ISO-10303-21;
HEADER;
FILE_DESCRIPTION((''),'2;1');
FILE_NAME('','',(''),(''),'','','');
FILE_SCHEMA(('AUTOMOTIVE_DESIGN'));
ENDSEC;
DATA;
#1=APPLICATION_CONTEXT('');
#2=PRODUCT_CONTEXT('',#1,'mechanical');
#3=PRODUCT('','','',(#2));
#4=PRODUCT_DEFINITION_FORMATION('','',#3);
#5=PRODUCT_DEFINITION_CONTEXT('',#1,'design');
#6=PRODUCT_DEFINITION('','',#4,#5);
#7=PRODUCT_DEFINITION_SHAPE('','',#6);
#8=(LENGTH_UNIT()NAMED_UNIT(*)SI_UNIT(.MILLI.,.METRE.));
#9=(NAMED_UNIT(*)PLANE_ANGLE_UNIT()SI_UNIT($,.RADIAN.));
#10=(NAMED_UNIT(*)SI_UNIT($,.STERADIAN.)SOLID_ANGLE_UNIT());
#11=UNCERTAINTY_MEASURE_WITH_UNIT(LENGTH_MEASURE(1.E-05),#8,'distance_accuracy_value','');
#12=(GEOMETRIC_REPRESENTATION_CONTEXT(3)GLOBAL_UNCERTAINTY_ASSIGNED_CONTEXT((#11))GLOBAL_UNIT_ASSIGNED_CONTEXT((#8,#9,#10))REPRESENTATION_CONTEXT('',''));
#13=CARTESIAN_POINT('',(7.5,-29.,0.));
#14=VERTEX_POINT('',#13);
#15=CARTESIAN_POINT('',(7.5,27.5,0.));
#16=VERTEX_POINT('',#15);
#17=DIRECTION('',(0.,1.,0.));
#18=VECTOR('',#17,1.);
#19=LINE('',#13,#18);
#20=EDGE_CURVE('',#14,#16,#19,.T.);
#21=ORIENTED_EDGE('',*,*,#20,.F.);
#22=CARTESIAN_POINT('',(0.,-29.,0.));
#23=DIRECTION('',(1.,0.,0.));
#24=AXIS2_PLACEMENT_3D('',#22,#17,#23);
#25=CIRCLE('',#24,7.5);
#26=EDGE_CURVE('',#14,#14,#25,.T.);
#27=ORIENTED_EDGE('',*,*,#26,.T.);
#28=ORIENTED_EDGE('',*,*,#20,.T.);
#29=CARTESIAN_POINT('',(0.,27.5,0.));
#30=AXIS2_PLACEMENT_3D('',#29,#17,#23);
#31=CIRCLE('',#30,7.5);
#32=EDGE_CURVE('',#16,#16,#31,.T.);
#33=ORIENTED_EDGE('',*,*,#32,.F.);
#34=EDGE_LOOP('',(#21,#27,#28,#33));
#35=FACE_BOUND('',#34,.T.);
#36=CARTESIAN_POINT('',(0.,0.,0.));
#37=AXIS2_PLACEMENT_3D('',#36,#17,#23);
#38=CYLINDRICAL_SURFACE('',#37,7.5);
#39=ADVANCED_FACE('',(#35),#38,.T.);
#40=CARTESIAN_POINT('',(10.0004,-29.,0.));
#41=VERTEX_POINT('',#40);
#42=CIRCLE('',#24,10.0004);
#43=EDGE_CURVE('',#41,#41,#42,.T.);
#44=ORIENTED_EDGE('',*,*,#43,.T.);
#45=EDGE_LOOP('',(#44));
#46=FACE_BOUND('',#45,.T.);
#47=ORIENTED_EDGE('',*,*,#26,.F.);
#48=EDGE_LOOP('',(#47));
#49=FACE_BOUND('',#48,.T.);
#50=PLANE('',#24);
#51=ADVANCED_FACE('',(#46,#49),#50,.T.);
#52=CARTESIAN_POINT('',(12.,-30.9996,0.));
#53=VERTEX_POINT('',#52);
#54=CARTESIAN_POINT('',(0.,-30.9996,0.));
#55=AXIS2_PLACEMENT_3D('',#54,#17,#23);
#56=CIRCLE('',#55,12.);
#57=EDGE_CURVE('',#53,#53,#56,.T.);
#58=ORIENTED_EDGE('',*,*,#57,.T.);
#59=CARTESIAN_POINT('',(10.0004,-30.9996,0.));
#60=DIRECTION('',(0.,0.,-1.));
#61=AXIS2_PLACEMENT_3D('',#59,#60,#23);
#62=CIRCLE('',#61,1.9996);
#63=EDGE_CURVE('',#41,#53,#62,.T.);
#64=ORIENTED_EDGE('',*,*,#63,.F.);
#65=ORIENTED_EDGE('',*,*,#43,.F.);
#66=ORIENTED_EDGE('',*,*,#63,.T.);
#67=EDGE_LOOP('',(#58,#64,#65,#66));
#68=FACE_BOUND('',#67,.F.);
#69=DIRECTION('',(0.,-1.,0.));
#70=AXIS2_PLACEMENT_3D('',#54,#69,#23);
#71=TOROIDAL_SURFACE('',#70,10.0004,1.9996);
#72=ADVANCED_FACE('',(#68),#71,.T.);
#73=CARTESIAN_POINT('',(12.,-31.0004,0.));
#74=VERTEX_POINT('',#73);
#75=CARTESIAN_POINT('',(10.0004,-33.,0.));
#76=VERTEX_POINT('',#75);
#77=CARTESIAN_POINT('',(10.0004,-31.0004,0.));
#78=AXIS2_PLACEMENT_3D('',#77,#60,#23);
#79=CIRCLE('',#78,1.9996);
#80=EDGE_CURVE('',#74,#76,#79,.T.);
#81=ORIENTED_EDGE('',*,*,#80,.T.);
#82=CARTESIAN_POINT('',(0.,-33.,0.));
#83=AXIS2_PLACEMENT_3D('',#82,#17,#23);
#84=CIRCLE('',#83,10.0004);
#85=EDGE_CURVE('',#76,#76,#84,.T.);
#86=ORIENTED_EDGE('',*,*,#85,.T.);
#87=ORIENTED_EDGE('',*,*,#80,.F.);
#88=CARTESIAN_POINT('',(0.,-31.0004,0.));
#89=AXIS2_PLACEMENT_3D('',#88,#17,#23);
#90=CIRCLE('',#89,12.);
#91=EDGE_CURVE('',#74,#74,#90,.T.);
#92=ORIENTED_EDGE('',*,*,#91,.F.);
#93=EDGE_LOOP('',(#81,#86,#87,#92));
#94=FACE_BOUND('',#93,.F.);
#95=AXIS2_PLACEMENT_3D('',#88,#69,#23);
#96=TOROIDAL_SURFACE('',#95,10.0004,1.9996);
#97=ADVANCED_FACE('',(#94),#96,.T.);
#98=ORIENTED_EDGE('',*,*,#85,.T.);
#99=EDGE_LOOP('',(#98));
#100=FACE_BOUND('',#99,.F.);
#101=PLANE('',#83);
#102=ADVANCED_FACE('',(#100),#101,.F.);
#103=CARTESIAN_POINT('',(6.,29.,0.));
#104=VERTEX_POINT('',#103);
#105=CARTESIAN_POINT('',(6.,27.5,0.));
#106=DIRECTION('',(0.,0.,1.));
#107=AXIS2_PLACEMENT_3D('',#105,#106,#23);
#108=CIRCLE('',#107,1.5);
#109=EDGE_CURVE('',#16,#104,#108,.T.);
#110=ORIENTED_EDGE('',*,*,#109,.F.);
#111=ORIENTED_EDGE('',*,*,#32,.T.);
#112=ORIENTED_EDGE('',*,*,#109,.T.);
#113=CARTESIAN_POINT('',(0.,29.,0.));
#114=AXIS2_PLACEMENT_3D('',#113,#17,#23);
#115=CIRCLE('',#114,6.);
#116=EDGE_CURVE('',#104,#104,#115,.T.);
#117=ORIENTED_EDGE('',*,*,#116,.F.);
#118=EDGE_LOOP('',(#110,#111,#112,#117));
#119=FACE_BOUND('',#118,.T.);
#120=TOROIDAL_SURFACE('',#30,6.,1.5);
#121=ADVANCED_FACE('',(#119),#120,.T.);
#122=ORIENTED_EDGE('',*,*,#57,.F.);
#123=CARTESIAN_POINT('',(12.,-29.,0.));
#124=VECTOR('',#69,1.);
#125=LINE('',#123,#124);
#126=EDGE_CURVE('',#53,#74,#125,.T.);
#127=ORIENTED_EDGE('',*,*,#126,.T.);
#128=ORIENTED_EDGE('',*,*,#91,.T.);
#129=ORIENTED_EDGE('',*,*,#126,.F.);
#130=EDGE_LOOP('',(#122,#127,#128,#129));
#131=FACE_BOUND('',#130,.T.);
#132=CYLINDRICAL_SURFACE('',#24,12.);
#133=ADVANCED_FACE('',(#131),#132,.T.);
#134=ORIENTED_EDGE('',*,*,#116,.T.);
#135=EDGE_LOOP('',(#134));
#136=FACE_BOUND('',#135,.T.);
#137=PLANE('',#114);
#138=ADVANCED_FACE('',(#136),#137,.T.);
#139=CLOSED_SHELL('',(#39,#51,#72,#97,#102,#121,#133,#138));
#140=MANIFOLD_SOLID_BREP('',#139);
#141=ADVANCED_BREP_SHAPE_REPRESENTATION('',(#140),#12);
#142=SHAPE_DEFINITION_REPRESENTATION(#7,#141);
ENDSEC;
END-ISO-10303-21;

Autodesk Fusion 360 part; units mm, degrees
sketch "Sketch1" plane through (0, 0, 0) normal (0, 1, 0) x (1, 0, 0)
  circle A0 centre (0, 0) radius 7.5
  circle A1 centre (0, 0) radius 12
  dimension "d1" = 15
  dimension "d2" = 24
extrude "Extrude1" add sketch "Sketch1" along normal mid plane 58 contours A0 makes body 1
extrude "Extrude2" add sketch "Sketch1" along normal blind 0 and the other way blind 4 from surface at -29 contours A0 | A1 bodies 1
fillet "Fillet1" radius 2 2 edges at (-11.1879, -33, -4.3394) (-11.1879, -29, 4.3394) on bodies 1
copy_body "Body->Comp1" bodies 1 removing the originals makes body 2 in component "Component"
fillet "Fillet1'" radius 1.5 1 edges at (-6.9925, 29, 2.7121) on bodies 2 in component "Component"
component "Component" placed x (1, 0, 0) y (0, 1, 0) z (0, 0, 1) at (0, 0, 0)
